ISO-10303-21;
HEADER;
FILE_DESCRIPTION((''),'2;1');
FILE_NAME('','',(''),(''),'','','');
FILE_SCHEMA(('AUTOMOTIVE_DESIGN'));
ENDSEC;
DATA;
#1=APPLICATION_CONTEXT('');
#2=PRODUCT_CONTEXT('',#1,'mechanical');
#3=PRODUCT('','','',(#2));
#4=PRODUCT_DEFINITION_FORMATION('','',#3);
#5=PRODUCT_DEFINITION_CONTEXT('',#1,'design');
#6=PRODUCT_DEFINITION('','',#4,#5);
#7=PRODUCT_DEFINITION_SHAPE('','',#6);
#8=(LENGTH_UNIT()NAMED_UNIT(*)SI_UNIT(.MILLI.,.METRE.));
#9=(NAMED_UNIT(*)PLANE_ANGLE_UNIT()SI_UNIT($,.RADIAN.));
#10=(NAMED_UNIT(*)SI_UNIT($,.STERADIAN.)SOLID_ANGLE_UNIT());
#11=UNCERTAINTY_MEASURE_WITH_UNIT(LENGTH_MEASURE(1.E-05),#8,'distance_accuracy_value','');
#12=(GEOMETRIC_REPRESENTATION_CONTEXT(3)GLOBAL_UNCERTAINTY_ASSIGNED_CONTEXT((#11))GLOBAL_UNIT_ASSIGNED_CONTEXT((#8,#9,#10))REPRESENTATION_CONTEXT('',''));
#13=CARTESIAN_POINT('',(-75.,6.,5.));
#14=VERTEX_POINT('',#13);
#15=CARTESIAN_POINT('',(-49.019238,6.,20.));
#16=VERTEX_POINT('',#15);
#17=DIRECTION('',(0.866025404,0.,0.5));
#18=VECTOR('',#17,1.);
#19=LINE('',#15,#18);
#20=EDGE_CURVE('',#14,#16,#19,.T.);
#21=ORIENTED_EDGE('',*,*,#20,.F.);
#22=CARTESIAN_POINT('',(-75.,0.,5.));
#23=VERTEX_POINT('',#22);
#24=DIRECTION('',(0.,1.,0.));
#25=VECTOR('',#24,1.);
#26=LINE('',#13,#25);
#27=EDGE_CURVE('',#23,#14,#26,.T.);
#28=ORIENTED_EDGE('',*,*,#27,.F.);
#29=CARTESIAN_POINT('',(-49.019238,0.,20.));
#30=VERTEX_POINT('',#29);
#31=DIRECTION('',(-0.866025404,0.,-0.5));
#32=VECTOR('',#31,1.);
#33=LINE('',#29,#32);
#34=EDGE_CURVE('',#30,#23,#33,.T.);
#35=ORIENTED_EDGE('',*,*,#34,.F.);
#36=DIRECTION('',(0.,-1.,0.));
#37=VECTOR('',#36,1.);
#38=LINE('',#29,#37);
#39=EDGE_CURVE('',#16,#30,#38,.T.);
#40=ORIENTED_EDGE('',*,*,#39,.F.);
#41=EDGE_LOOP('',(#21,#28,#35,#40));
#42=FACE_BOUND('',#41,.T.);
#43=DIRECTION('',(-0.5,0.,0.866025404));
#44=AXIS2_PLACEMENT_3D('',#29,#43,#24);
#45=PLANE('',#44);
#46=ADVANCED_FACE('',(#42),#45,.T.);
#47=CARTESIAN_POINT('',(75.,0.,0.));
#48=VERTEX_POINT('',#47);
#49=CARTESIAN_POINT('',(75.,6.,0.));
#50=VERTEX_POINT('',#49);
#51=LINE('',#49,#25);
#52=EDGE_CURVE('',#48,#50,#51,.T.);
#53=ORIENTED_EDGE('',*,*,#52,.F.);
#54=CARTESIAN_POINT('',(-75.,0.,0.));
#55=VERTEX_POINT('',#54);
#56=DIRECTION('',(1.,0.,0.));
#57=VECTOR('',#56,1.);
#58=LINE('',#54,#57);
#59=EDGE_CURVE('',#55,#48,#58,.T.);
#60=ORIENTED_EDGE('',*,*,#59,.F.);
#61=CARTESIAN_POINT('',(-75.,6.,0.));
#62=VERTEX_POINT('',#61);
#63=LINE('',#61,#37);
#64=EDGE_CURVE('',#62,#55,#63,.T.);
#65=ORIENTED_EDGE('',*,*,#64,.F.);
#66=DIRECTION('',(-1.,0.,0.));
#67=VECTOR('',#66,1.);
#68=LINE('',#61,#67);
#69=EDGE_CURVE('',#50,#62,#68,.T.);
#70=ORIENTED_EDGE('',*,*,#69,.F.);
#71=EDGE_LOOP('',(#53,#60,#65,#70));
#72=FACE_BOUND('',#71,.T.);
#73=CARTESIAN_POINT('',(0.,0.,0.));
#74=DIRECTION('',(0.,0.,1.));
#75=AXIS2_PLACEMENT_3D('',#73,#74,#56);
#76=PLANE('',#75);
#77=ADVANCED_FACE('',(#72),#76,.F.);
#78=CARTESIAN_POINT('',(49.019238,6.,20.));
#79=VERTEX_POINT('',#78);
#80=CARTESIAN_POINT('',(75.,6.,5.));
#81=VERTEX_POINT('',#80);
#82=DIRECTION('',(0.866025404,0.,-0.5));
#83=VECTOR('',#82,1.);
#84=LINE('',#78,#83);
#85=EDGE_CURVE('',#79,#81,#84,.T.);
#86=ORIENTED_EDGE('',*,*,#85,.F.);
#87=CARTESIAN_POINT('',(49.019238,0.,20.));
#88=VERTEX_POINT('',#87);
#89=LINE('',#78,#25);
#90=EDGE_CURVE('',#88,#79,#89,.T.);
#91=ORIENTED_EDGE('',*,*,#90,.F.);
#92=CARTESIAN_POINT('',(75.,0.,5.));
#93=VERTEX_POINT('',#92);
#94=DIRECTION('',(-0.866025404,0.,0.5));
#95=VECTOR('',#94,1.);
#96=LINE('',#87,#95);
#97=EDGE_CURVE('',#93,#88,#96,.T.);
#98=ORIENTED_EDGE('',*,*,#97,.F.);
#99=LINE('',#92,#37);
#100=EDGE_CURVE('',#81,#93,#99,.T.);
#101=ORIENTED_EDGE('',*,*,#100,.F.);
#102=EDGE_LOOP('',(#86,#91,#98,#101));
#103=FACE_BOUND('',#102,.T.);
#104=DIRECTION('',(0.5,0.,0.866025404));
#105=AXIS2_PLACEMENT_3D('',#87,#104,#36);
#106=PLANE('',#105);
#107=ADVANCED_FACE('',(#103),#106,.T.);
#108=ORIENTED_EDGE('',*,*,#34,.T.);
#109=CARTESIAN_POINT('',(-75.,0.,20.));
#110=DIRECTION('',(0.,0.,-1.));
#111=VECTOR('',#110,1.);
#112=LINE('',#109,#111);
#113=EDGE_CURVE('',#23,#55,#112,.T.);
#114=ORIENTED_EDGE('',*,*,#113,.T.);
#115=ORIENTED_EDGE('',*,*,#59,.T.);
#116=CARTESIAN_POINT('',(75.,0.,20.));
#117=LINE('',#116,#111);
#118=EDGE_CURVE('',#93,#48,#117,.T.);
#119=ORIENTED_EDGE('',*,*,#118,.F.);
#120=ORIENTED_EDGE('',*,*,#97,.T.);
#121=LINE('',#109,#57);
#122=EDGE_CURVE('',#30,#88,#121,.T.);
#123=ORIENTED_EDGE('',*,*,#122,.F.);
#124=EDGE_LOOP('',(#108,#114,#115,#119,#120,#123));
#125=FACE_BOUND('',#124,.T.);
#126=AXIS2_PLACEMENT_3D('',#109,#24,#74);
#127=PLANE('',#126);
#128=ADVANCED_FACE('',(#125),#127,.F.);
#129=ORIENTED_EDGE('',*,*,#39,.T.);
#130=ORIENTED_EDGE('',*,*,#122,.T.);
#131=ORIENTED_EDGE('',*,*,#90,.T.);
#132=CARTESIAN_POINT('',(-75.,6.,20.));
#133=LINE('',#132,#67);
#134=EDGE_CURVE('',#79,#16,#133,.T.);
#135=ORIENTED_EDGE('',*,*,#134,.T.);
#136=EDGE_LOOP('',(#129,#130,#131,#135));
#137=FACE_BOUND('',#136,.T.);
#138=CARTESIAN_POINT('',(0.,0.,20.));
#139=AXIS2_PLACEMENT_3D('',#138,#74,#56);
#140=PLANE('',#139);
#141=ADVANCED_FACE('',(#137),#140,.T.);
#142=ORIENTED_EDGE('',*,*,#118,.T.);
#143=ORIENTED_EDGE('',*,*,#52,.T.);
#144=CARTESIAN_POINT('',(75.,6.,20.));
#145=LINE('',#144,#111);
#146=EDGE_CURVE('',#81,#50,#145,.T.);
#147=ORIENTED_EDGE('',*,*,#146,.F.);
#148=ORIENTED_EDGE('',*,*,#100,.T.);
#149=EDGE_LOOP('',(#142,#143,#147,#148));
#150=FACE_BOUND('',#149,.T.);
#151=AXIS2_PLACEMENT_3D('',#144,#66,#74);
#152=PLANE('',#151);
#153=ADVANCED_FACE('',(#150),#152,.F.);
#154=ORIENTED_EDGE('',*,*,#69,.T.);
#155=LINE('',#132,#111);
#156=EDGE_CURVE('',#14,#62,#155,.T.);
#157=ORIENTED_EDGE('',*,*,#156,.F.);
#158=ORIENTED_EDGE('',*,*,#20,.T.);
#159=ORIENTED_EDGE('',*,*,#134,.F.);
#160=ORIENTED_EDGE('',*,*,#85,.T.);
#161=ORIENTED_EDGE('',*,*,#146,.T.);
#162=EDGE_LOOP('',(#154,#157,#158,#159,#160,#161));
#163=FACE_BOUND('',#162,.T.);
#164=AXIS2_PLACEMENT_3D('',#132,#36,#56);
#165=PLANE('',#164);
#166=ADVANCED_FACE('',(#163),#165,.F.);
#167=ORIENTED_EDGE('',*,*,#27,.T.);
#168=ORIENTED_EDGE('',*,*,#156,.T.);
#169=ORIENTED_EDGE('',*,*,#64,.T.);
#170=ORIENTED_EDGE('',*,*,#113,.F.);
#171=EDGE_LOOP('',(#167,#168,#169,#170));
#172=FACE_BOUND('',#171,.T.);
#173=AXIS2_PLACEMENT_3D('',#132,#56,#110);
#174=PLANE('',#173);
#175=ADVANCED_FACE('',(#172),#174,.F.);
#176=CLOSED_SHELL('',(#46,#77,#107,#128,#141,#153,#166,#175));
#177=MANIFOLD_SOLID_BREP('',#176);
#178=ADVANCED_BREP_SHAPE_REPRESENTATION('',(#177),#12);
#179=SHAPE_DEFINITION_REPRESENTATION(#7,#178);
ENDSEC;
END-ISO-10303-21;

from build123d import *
from OCP.BRepFilletAPI import BRepFilletAPI_MakeChamfer

# Parameters (mm, degrees)
SKETCH_1_W      = 150
SKETCH_1_H      = 6
EXTRUDE_1_DEPTH = 20
CHAMFER_1_SIZE  = 15
CHAMFER_1_SIZE2 = 25.980762114


with BuildPart() as part:
    # Эскиз1 → Бобышка-Вытянуть1 (new body)
    with BuildSketch(Plane.XY):
        with Locations((0, 3)):
            Rectangle(SKETCH_1_W, SKETCH_1_H)
    extrude(amount=EXTRUDE_1_DEPTH)

    # Фаска1: one chamfer whose edges measure the first distance from different faces: ONE call of the kernel's chamfer builder (chamfer() names one face for all edges)
    chamfer_1_edges_1 = [part.edges().sort_by_distance(p)[0] for p in [
        (75, 3, 20),
    ]]
    chamfer_1_side_1 = [part.faces().sort_by_distance(p)[0] for p in [
        (75, 3, 10),
    ]]
    chamfer_1_edges_2 = [part.edges().sort_by_distance(p)[0] for p in [
        (-75, 3, 20),
    ]]
    chamfer_1_side_2 = [part.faces().sort_by_distance(p)[0] for p in [
        (-75, 3, 10),
    ]]
    chamfer_1 = BRepFilletAPI_MakeChamfer(part.part.solid().wrapped)
    for e in chamfer_1_edges_1:
        chamfer_1.Add(CHAMFER_1_SIZE, CHAMFER_1_SIZE2, e.wrapped, chamfer_1_side_1[0].wrapped)  # the first distance lies on this face
    for e in chamfer_1_edges_2:
        chamfer_1.Add(CHAMFER_1_SIZE, CHAMFER_1_SIZE2, e.wrapped, chamfer_1_side_2[0].wrapped)  # the first distance lies on this face
    add(Compound.cast(chamfer_1.Shape()), mode=Mode.REPLACE)


solid = part.part
